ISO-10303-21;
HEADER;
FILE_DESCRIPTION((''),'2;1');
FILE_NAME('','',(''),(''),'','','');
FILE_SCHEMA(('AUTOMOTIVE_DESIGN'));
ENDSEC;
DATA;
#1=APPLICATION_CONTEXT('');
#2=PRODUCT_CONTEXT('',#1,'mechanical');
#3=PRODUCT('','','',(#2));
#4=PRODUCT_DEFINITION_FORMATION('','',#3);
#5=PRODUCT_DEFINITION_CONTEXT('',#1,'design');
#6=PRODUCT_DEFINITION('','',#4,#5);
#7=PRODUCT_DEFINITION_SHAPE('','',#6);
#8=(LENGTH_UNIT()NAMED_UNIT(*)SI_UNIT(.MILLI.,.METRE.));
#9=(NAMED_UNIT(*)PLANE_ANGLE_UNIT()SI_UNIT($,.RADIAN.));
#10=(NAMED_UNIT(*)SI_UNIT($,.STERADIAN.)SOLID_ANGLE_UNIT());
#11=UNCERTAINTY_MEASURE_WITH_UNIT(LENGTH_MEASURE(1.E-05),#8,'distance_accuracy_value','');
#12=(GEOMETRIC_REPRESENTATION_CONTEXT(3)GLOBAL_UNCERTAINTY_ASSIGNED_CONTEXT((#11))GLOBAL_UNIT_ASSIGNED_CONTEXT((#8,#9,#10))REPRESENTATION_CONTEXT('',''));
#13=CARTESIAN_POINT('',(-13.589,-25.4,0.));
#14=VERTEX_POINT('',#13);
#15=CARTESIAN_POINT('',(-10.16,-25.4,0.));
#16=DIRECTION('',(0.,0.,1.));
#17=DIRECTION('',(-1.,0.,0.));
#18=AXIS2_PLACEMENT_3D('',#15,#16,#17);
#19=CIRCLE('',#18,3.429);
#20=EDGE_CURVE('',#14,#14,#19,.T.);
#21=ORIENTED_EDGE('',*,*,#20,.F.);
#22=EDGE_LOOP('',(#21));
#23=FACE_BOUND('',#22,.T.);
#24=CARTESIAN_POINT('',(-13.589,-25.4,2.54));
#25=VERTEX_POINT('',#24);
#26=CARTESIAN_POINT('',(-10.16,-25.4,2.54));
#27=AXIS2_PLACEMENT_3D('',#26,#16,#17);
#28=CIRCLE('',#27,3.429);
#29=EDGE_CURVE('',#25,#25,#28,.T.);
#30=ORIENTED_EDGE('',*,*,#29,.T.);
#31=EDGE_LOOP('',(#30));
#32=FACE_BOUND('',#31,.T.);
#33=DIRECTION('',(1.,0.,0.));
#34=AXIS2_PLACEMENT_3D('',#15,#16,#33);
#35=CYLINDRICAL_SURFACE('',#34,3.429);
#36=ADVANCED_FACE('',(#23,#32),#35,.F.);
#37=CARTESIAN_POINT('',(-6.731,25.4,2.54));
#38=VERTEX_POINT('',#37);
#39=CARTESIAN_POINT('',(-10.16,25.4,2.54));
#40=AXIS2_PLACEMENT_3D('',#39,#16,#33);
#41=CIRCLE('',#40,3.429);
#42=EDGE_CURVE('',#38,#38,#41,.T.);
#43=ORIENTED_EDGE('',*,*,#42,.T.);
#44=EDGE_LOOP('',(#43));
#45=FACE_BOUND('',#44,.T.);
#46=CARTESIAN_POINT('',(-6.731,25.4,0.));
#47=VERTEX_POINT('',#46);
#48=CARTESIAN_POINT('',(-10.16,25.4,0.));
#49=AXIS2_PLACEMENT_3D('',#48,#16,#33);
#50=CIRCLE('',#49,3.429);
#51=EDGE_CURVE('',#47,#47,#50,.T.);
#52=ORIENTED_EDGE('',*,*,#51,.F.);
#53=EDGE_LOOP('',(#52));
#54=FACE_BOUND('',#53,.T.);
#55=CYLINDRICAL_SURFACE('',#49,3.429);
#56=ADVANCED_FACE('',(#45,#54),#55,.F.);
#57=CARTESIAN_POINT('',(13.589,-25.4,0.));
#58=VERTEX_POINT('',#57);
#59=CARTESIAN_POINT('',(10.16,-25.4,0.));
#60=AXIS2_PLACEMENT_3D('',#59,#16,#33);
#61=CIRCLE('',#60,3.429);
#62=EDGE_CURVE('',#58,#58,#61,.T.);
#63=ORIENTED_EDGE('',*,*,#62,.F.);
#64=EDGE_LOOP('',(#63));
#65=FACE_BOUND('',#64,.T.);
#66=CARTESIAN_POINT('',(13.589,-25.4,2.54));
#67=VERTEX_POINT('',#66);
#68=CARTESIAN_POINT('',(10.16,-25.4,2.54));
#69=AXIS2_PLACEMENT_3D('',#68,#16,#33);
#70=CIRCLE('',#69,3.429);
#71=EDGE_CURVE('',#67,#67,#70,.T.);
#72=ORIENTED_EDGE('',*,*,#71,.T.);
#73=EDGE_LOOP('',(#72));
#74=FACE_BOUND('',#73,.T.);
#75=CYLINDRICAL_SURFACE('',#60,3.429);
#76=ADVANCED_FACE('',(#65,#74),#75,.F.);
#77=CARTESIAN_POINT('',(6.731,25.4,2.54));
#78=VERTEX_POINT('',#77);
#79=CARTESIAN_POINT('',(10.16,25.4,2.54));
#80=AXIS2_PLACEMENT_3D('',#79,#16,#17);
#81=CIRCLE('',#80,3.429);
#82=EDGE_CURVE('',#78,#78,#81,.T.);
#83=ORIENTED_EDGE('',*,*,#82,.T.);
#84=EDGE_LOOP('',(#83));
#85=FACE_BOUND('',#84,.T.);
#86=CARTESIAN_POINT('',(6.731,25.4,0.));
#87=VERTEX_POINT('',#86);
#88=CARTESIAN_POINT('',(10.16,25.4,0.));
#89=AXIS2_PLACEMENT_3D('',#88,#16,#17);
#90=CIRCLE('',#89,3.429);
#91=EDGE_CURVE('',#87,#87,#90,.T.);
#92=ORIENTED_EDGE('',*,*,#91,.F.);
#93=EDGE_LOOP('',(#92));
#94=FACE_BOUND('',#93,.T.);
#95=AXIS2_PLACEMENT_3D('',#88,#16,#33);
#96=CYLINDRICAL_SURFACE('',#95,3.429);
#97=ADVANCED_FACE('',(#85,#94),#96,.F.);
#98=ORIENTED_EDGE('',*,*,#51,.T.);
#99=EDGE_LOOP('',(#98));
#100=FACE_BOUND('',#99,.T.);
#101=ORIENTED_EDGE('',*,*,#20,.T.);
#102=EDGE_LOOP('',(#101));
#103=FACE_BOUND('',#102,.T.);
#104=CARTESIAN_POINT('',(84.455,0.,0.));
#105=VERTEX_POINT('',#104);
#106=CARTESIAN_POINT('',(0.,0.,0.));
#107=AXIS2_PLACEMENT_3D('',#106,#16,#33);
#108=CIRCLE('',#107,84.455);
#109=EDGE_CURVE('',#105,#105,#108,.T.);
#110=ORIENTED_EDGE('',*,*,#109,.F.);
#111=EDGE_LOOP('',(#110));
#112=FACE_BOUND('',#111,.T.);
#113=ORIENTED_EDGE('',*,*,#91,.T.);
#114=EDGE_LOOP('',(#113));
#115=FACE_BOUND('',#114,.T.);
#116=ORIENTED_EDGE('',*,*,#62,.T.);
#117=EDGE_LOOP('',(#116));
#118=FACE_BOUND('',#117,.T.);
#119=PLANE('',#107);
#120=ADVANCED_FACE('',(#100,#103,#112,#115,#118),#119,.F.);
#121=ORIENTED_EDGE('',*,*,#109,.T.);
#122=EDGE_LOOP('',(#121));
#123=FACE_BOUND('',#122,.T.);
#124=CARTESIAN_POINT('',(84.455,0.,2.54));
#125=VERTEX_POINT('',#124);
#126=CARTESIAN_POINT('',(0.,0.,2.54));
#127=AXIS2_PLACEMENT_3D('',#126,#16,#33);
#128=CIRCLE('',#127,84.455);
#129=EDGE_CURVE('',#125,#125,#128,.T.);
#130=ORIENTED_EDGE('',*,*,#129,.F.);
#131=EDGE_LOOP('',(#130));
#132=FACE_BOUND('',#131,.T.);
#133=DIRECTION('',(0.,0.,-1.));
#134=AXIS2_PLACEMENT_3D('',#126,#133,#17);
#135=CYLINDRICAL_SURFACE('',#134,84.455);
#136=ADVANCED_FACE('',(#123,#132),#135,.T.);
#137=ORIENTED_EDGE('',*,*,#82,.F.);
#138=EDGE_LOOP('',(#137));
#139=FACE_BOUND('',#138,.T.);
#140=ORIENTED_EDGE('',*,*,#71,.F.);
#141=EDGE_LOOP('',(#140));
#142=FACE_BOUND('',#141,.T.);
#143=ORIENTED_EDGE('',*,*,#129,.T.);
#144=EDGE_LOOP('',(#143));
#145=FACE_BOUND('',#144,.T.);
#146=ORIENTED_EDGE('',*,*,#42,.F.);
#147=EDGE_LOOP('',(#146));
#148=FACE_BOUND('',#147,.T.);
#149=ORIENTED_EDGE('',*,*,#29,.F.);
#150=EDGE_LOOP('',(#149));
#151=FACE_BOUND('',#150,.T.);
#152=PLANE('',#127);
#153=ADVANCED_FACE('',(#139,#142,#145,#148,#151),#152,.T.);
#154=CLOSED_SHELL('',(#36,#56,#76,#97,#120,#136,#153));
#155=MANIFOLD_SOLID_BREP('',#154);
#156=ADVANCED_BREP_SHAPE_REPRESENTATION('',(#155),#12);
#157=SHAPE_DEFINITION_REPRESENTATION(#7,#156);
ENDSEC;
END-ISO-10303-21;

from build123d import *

# Parameters (mm, degrees)
SKETCH1_R           = 84.455
BOSS_EXTRUDE1_DEPTH = 2.54
SKETCH2_R           = 3.429
CUT_EXTRUDE1_DEPTH  = 2.54


with BuildPart() as part:
    # Sketch1 → Boss-Extrude1 (new body)
    with BuildSketch(Plane.XY):
        Circle(SKETCH1_R)
    extrude(amount=BOSS_EXTRUDE1_DEPTH)

    # Sketch2 → Cut-Extrude1 (cut)
    with BuildSketch(Plane.XY.offset(2.54)):
        with Locations((-10.16, 25.4)):
            Circle(SKETCH2_R)
        with Locations(Location((10.16, 25.4, 0), (0, 0, 180))):
            Circle(SKETCH2_R)
        with Locations((10.16, -25.4)):
            Circle(SKETCH2_R)
        with Locations(Location((-10.16, -25.4, 0), (0, 0, 180))):
            Circle(SKETCH2_R)
    extrude(amount=-CUT_EXTRUDE1_DEPTH, mode=Mode.SUBTRACT)


solid = part.part
